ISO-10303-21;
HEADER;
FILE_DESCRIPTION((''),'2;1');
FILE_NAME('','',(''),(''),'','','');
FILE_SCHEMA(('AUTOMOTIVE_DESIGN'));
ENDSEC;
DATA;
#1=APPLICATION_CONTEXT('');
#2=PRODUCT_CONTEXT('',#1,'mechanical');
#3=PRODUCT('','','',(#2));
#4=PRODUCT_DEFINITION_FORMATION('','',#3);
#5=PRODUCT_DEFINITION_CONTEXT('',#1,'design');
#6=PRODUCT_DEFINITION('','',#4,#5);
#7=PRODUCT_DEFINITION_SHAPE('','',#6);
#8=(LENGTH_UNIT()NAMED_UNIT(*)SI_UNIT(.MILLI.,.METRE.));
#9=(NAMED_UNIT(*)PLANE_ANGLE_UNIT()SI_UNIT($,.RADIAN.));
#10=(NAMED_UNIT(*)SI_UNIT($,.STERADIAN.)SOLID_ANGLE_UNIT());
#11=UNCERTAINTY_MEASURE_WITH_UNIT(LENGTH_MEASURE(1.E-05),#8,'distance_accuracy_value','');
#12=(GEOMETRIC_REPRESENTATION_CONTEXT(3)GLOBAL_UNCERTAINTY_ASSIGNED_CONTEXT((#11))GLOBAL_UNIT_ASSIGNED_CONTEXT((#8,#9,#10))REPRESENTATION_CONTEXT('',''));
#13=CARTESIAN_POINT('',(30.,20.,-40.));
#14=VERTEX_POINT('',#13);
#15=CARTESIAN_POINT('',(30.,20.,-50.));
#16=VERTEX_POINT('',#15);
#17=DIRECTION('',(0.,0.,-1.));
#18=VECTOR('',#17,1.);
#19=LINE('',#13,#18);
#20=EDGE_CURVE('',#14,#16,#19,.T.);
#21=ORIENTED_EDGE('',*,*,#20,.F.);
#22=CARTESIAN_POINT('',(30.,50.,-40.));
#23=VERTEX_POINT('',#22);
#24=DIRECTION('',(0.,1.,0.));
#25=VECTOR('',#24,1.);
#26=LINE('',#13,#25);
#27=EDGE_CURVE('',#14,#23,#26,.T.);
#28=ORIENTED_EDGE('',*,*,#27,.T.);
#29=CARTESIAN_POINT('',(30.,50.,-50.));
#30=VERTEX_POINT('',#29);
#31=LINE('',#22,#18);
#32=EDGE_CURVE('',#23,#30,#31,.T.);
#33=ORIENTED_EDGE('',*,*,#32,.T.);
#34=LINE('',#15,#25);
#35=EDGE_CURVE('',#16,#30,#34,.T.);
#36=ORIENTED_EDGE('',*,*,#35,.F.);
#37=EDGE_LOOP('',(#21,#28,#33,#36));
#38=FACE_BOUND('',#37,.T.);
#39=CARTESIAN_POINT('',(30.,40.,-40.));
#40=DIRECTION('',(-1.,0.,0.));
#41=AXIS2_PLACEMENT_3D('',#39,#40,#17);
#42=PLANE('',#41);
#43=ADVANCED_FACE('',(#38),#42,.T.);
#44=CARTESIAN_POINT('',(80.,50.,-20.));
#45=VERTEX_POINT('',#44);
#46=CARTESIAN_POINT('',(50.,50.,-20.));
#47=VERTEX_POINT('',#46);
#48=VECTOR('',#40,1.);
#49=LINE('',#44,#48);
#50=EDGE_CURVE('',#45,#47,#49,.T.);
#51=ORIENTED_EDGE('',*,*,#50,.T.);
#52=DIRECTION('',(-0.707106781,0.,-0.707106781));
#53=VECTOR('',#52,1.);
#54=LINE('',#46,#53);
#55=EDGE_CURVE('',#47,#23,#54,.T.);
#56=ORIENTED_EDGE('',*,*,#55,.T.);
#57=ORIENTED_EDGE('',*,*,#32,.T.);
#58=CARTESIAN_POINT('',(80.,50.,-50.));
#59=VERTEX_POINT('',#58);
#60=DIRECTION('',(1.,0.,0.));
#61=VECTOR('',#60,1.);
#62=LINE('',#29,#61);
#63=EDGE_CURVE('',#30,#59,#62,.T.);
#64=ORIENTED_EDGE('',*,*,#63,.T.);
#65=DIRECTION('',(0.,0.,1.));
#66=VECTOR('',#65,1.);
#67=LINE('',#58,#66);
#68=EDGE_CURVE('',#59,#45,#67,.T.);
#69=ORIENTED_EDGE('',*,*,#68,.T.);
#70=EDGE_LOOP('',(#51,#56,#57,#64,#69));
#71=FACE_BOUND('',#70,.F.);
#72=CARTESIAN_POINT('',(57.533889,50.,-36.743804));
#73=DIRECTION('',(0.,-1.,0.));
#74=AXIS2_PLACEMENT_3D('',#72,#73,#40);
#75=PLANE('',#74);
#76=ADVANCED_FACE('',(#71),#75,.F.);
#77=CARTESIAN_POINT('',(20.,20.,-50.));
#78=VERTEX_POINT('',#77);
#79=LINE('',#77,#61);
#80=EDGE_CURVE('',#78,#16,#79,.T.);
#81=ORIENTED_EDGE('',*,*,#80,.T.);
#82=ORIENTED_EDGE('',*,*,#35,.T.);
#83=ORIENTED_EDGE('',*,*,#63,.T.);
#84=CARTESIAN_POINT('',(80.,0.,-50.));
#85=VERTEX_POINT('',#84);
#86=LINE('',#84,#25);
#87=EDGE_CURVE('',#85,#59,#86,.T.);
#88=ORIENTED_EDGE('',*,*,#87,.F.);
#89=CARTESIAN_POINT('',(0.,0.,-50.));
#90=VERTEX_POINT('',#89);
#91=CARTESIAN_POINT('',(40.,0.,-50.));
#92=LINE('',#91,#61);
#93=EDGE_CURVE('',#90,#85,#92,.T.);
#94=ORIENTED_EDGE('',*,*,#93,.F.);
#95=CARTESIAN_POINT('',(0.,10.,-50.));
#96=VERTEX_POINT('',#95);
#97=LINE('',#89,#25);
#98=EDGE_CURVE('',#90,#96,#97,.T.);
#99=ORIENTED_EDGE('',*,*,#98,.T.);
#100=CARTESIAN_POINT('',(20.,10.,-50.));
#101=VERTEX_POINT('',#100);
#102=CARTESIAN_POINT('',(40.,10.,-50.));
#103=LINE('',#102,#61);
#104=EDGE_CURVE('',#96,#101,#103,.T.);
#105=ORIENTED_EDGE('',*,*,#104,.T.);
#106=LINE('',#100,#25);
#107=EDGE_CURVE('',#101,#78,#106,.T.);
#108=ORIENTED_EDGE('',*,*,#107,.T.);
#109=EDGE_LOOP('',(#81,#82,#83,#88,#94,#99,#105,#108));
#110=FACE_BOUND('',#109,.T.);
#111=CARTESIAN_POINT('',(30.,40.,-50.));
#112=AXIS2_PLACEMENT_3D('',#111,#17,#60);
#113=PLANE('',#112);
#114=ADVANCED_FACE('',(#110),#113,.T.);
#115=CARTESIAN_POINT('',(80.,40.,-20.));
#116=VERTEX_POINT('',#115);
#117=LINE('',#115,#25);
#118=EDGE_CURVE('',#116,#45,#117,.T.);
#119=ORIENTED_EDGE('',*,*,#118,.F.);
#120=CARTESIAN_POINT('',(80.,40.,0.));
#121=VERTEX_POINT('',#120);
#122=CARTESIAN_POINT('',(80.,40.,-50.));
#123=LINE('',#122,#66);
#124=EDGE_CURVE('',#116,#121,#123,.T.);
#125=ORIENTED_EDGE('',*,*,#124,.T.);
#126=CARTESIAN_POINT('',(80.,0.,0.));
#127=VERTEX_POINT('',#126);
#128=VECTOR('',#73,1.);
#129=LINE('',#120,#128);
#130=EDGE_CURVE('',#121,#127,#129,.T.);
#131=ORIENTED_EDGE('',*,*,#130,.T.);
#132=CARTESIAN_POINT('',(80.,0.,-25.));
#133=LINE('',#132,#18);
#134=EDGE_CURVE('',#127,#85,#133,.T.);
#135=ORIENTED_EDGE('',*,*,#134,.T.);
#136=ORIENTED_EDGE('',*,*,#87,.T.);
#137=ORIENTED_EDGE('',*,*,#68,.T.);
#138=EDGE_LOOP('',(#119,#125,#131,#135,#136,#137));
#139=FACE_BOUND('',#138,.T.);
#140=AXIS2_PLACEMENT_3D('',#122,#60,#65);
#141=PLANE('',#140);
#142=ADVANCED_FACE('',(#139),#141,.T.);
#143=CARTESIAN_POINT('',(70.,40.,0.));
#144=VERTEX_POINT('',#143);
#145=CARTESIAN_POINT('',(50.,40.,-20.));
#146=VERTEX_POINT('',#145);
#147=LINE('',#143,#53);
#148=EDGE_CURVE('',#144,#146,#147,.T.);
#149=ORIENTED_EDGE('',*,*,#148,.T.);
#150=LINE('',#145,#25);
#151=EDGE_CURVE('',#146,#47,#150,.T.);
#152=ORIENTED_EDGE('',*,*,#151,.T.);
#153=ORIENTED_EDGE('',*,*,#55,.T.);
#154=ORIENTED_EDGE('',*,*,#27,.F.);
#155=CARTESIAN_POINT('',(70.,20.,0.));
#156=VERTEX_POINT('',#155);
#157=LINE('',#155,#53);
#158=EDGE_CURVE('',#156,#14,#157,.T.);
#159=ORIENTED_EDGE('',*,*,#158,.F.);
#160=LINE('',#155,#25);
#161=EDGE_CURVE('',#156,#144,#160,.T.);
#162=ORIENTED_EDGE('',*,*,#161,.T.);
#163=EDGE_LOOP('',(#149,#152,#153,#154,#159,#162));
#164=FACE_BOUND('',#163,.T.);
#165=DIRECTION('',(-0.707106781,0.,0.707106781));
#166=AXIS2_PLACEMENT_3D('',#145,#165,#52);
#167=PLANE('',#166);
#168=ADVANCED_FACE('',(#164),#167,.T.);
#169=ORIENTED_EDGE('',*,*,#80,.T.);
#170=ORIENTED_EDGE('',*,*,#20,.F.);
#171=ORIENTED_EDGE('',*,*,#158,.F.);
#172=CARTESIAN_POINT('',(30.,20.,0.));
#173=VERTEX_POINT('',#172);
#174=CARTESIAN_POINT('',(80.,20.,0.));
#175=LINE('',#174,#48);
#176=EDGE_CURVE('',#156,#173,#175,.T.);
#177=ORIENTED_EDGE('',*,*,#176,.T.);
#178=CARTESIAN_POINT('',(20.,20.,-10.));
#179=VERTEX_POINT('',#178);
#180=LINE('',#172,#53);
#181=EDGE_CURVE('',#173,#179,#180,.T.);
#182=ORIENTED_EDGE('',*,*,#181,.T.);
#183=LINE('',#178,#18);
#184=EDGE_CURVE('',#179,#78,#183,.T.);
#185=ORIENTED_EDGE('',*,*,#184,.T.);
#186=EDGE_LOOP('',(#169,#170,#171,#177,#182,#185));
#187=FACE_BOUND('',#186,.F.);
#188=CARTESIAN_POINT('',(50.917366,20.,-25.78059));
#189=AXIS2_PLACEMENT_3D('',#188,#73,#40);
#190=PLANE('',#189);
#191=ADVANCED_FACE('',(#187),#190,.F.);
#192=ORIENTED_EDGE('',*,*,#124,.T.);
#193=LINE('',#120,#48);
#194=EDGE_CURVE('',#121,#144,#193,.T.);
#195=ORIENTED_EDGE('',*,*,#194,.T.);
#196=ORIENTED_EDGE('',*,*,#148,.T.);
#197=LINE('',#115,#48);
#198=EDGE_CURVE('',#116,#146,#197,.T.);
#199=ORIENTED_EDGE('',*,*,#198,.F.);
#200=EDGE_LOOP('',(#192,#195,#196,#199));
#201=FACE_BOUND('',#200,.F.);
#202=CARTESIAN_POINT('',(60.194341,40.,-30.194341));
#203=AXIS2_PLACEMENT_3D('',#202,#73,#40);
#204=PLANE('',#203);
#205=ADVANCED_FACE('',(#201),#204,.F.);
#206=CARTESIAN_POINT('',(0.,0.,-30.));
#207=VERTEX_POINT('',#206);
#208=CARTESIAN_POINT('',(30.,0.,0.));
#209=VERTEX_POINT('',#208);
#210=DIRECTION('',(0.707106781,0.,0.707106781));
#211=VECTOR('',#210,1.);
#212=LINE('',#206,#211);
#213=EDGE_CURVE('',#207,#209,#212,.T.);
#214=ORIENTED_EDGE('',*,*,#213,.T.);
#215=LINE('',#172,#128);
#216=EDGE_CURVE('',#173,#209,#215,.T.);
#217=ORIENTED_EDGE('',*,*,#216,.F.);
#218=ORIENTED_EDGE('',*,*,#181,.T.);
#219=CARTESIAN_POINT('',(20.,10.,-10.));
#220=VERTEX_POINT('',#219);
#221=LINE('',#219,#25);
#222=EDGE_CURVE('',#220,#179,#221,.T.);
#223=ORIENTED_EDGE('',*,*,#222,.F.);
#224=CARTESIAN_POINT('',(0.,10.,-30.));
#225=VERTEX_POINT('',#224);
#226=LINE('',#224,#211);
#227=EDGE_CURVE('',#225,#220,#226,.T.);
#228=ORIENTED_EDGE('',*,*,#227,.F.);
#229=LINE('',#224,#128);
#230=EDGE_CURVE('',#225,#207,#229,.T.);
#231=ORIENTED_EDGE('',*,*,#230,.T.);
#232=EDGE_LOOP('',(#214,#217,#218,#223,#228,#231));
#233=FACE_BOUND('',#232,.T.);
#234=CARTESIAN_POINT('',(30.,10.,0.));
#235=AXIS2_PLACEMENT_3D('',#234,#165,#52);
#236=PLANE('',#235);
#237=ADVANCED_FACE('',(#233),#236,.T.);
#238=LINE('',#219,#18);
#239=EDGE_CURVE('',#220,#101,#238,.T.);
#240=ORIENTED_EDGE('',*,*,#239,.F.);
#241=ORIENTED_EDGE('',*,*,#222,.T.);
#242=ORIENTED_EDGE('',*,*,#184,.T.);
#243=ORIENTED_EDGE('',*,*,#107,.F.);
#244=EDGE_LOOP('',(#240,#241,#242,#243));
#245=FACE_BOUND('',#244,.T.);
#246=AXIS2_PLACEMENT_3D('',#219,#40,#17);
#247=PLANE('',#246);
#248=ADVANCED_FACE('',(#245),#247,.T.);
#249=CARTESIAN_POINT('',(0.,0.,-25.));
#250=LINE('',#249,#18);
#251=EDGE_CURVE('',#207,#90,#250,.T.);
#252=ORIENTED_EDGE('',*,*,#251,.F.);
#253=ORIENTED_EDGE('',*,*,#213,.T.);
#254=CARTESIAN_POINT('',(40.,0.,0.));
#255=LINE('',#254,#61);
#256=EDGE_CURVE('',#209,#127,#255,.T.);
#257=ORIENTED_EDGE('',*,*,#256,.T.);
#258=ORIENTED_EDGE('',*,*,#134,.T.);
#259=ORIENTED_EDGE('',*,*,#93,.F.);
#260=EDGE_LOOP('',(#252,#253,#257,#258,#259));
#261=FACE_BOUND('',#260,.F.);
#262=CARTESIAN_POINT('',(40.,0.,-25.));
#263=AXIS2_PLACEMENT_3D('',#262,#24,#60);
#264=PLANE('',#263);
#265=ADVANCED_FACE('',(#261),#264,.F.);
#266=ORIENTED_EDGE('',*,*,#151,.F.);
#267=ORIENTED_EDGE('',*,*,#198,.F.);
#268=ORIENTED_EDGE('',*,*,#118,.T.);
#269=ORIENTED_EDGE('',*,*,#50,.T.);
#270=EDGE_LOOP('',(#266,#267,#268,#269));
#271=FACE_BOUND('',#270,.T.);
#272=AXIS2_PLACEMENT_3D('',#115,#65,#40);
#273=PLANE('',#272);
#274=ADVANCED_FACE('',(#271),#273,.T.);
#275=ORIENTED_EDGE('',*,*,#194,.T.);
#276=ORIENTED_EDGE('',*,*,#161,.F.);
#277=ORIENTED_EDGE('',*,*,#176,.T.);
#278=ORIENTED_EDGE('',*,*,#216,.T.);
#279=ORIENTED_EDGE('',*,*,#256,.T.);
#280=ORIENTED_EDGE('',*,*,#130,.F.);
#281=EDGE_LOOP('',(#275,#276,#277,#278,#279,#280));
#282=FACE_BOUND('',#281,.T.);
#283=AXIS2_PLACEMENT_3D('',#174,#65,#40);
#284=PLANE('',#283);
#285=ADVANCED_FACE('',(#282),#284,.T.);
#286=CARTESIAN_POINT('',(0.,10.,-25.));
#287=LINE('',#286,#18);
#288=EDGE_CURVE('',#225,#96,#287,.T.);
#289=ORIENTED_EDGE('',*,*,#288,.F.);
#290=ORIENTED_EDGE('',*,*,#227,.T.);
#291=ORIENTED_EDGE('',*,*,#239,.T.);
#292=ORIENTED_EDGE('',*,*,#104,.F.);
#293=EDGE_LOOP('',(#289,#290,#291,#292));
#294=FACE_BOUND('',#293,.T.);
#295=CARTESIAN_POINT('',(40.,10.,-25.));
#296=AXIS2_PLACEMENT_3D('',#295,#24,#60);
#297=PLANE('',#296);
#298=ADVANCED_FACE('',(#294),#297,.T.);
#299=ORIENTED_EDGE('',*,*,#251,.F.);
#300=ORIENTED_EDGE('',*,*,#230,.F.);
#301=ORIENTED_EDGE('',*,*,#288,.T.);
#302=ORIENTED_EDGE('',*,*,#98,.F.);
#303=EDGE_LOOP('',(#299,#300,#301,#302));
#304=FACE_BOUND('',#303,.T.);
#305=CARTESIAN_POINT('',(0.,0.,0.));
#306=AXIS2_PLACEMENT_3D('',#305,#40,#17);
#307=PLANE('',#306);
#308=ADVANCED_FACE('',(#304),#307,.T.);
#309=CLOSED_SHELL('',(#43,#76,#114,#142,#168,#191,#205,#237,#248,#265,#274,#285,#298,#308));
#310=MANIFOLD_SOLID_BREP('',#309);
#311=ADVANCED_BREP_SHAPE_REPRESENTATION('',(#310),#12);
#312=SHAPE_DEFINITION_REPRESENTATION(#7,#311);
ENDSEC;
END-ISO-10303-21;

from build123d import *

# Parameters (mm, degrees)
SKETCH1_W           = 80
SKETCH1_H           = 50
BOSS_EXTRUDE1_DEPTH = 10
CUT_EXTRUDE1_DEPTH  = 10
BOSS_EXTRUDE2_DEPTH = 10
BOSS_EXTRUDE3_DEPTH = 20
BOSS_EXTRUDE4_DEPTH = 10


with BuildPart() as part:
    # Sketch1 → Boss-Extrude1 (new body)
    with BuildSketch(Plane(origin=(0, 0, 0), x_dir=(1, 0, 0), z_dir=(0, 1, 0))):
        with Locations((40, 25)):
            Rectangle(SKETCH1_W, SKETCH1_H)
    extrude(amount=BOSS_EXTRUDE1_DEPTH)

    # Sketch2 → Cut-Extrude1 (cut)
    with BuildSketch(Plane(origin=(0, 10, 0), x_dir=(1, 0, 0), z_dir=(0, 1, 0))):
        Polygon((0, 30), (30, 0), (0, 0), align=None)
    extrude(amount=-CUT_EXTRUDE1_DEPTH, mode=Mode.SUBTRACT)

    # Sketch3 → Boss-Extrude2 (add)
    with BuildSketch(Plane(origin=(0, 10, 0), x_dir=(1, 0, 0), z_dir=(0, 1, 0))):
        Polygon((80, 50), (80, 0), (30, 0), (20, 10), (20, 50), align=None)
    extrude(amount=BOSS_EXTRUDE2_DEPTH)

    # Sketch4 → Boss-Extrude3 (add)
    with BuildSketch(Plane(origin=(0, 20, 0), x_dir=(1, 0, 0), z_dir=(0, 1, 0))):
        Polygon((80, 50), (80, 0), (70, 0), (30, 40), (30, 50), align=None)
    extrude(amount=BOSS_EXTRUDE3_DEPTH)

    # Sketch5 → Boss-Extrude4 (add)
    with BuildSketch(Plane(origin=(0, 40, 0), x_dir=(1, 0, 0), z_dir=(0, 1, 0))):
        Polygon((80, 50), (80, 20), (50, 20), (30, 40), (30, 50), align=None)
    extrude(amount=BOSS_EXTRUDE4_DEPTH)


solid = part.part
